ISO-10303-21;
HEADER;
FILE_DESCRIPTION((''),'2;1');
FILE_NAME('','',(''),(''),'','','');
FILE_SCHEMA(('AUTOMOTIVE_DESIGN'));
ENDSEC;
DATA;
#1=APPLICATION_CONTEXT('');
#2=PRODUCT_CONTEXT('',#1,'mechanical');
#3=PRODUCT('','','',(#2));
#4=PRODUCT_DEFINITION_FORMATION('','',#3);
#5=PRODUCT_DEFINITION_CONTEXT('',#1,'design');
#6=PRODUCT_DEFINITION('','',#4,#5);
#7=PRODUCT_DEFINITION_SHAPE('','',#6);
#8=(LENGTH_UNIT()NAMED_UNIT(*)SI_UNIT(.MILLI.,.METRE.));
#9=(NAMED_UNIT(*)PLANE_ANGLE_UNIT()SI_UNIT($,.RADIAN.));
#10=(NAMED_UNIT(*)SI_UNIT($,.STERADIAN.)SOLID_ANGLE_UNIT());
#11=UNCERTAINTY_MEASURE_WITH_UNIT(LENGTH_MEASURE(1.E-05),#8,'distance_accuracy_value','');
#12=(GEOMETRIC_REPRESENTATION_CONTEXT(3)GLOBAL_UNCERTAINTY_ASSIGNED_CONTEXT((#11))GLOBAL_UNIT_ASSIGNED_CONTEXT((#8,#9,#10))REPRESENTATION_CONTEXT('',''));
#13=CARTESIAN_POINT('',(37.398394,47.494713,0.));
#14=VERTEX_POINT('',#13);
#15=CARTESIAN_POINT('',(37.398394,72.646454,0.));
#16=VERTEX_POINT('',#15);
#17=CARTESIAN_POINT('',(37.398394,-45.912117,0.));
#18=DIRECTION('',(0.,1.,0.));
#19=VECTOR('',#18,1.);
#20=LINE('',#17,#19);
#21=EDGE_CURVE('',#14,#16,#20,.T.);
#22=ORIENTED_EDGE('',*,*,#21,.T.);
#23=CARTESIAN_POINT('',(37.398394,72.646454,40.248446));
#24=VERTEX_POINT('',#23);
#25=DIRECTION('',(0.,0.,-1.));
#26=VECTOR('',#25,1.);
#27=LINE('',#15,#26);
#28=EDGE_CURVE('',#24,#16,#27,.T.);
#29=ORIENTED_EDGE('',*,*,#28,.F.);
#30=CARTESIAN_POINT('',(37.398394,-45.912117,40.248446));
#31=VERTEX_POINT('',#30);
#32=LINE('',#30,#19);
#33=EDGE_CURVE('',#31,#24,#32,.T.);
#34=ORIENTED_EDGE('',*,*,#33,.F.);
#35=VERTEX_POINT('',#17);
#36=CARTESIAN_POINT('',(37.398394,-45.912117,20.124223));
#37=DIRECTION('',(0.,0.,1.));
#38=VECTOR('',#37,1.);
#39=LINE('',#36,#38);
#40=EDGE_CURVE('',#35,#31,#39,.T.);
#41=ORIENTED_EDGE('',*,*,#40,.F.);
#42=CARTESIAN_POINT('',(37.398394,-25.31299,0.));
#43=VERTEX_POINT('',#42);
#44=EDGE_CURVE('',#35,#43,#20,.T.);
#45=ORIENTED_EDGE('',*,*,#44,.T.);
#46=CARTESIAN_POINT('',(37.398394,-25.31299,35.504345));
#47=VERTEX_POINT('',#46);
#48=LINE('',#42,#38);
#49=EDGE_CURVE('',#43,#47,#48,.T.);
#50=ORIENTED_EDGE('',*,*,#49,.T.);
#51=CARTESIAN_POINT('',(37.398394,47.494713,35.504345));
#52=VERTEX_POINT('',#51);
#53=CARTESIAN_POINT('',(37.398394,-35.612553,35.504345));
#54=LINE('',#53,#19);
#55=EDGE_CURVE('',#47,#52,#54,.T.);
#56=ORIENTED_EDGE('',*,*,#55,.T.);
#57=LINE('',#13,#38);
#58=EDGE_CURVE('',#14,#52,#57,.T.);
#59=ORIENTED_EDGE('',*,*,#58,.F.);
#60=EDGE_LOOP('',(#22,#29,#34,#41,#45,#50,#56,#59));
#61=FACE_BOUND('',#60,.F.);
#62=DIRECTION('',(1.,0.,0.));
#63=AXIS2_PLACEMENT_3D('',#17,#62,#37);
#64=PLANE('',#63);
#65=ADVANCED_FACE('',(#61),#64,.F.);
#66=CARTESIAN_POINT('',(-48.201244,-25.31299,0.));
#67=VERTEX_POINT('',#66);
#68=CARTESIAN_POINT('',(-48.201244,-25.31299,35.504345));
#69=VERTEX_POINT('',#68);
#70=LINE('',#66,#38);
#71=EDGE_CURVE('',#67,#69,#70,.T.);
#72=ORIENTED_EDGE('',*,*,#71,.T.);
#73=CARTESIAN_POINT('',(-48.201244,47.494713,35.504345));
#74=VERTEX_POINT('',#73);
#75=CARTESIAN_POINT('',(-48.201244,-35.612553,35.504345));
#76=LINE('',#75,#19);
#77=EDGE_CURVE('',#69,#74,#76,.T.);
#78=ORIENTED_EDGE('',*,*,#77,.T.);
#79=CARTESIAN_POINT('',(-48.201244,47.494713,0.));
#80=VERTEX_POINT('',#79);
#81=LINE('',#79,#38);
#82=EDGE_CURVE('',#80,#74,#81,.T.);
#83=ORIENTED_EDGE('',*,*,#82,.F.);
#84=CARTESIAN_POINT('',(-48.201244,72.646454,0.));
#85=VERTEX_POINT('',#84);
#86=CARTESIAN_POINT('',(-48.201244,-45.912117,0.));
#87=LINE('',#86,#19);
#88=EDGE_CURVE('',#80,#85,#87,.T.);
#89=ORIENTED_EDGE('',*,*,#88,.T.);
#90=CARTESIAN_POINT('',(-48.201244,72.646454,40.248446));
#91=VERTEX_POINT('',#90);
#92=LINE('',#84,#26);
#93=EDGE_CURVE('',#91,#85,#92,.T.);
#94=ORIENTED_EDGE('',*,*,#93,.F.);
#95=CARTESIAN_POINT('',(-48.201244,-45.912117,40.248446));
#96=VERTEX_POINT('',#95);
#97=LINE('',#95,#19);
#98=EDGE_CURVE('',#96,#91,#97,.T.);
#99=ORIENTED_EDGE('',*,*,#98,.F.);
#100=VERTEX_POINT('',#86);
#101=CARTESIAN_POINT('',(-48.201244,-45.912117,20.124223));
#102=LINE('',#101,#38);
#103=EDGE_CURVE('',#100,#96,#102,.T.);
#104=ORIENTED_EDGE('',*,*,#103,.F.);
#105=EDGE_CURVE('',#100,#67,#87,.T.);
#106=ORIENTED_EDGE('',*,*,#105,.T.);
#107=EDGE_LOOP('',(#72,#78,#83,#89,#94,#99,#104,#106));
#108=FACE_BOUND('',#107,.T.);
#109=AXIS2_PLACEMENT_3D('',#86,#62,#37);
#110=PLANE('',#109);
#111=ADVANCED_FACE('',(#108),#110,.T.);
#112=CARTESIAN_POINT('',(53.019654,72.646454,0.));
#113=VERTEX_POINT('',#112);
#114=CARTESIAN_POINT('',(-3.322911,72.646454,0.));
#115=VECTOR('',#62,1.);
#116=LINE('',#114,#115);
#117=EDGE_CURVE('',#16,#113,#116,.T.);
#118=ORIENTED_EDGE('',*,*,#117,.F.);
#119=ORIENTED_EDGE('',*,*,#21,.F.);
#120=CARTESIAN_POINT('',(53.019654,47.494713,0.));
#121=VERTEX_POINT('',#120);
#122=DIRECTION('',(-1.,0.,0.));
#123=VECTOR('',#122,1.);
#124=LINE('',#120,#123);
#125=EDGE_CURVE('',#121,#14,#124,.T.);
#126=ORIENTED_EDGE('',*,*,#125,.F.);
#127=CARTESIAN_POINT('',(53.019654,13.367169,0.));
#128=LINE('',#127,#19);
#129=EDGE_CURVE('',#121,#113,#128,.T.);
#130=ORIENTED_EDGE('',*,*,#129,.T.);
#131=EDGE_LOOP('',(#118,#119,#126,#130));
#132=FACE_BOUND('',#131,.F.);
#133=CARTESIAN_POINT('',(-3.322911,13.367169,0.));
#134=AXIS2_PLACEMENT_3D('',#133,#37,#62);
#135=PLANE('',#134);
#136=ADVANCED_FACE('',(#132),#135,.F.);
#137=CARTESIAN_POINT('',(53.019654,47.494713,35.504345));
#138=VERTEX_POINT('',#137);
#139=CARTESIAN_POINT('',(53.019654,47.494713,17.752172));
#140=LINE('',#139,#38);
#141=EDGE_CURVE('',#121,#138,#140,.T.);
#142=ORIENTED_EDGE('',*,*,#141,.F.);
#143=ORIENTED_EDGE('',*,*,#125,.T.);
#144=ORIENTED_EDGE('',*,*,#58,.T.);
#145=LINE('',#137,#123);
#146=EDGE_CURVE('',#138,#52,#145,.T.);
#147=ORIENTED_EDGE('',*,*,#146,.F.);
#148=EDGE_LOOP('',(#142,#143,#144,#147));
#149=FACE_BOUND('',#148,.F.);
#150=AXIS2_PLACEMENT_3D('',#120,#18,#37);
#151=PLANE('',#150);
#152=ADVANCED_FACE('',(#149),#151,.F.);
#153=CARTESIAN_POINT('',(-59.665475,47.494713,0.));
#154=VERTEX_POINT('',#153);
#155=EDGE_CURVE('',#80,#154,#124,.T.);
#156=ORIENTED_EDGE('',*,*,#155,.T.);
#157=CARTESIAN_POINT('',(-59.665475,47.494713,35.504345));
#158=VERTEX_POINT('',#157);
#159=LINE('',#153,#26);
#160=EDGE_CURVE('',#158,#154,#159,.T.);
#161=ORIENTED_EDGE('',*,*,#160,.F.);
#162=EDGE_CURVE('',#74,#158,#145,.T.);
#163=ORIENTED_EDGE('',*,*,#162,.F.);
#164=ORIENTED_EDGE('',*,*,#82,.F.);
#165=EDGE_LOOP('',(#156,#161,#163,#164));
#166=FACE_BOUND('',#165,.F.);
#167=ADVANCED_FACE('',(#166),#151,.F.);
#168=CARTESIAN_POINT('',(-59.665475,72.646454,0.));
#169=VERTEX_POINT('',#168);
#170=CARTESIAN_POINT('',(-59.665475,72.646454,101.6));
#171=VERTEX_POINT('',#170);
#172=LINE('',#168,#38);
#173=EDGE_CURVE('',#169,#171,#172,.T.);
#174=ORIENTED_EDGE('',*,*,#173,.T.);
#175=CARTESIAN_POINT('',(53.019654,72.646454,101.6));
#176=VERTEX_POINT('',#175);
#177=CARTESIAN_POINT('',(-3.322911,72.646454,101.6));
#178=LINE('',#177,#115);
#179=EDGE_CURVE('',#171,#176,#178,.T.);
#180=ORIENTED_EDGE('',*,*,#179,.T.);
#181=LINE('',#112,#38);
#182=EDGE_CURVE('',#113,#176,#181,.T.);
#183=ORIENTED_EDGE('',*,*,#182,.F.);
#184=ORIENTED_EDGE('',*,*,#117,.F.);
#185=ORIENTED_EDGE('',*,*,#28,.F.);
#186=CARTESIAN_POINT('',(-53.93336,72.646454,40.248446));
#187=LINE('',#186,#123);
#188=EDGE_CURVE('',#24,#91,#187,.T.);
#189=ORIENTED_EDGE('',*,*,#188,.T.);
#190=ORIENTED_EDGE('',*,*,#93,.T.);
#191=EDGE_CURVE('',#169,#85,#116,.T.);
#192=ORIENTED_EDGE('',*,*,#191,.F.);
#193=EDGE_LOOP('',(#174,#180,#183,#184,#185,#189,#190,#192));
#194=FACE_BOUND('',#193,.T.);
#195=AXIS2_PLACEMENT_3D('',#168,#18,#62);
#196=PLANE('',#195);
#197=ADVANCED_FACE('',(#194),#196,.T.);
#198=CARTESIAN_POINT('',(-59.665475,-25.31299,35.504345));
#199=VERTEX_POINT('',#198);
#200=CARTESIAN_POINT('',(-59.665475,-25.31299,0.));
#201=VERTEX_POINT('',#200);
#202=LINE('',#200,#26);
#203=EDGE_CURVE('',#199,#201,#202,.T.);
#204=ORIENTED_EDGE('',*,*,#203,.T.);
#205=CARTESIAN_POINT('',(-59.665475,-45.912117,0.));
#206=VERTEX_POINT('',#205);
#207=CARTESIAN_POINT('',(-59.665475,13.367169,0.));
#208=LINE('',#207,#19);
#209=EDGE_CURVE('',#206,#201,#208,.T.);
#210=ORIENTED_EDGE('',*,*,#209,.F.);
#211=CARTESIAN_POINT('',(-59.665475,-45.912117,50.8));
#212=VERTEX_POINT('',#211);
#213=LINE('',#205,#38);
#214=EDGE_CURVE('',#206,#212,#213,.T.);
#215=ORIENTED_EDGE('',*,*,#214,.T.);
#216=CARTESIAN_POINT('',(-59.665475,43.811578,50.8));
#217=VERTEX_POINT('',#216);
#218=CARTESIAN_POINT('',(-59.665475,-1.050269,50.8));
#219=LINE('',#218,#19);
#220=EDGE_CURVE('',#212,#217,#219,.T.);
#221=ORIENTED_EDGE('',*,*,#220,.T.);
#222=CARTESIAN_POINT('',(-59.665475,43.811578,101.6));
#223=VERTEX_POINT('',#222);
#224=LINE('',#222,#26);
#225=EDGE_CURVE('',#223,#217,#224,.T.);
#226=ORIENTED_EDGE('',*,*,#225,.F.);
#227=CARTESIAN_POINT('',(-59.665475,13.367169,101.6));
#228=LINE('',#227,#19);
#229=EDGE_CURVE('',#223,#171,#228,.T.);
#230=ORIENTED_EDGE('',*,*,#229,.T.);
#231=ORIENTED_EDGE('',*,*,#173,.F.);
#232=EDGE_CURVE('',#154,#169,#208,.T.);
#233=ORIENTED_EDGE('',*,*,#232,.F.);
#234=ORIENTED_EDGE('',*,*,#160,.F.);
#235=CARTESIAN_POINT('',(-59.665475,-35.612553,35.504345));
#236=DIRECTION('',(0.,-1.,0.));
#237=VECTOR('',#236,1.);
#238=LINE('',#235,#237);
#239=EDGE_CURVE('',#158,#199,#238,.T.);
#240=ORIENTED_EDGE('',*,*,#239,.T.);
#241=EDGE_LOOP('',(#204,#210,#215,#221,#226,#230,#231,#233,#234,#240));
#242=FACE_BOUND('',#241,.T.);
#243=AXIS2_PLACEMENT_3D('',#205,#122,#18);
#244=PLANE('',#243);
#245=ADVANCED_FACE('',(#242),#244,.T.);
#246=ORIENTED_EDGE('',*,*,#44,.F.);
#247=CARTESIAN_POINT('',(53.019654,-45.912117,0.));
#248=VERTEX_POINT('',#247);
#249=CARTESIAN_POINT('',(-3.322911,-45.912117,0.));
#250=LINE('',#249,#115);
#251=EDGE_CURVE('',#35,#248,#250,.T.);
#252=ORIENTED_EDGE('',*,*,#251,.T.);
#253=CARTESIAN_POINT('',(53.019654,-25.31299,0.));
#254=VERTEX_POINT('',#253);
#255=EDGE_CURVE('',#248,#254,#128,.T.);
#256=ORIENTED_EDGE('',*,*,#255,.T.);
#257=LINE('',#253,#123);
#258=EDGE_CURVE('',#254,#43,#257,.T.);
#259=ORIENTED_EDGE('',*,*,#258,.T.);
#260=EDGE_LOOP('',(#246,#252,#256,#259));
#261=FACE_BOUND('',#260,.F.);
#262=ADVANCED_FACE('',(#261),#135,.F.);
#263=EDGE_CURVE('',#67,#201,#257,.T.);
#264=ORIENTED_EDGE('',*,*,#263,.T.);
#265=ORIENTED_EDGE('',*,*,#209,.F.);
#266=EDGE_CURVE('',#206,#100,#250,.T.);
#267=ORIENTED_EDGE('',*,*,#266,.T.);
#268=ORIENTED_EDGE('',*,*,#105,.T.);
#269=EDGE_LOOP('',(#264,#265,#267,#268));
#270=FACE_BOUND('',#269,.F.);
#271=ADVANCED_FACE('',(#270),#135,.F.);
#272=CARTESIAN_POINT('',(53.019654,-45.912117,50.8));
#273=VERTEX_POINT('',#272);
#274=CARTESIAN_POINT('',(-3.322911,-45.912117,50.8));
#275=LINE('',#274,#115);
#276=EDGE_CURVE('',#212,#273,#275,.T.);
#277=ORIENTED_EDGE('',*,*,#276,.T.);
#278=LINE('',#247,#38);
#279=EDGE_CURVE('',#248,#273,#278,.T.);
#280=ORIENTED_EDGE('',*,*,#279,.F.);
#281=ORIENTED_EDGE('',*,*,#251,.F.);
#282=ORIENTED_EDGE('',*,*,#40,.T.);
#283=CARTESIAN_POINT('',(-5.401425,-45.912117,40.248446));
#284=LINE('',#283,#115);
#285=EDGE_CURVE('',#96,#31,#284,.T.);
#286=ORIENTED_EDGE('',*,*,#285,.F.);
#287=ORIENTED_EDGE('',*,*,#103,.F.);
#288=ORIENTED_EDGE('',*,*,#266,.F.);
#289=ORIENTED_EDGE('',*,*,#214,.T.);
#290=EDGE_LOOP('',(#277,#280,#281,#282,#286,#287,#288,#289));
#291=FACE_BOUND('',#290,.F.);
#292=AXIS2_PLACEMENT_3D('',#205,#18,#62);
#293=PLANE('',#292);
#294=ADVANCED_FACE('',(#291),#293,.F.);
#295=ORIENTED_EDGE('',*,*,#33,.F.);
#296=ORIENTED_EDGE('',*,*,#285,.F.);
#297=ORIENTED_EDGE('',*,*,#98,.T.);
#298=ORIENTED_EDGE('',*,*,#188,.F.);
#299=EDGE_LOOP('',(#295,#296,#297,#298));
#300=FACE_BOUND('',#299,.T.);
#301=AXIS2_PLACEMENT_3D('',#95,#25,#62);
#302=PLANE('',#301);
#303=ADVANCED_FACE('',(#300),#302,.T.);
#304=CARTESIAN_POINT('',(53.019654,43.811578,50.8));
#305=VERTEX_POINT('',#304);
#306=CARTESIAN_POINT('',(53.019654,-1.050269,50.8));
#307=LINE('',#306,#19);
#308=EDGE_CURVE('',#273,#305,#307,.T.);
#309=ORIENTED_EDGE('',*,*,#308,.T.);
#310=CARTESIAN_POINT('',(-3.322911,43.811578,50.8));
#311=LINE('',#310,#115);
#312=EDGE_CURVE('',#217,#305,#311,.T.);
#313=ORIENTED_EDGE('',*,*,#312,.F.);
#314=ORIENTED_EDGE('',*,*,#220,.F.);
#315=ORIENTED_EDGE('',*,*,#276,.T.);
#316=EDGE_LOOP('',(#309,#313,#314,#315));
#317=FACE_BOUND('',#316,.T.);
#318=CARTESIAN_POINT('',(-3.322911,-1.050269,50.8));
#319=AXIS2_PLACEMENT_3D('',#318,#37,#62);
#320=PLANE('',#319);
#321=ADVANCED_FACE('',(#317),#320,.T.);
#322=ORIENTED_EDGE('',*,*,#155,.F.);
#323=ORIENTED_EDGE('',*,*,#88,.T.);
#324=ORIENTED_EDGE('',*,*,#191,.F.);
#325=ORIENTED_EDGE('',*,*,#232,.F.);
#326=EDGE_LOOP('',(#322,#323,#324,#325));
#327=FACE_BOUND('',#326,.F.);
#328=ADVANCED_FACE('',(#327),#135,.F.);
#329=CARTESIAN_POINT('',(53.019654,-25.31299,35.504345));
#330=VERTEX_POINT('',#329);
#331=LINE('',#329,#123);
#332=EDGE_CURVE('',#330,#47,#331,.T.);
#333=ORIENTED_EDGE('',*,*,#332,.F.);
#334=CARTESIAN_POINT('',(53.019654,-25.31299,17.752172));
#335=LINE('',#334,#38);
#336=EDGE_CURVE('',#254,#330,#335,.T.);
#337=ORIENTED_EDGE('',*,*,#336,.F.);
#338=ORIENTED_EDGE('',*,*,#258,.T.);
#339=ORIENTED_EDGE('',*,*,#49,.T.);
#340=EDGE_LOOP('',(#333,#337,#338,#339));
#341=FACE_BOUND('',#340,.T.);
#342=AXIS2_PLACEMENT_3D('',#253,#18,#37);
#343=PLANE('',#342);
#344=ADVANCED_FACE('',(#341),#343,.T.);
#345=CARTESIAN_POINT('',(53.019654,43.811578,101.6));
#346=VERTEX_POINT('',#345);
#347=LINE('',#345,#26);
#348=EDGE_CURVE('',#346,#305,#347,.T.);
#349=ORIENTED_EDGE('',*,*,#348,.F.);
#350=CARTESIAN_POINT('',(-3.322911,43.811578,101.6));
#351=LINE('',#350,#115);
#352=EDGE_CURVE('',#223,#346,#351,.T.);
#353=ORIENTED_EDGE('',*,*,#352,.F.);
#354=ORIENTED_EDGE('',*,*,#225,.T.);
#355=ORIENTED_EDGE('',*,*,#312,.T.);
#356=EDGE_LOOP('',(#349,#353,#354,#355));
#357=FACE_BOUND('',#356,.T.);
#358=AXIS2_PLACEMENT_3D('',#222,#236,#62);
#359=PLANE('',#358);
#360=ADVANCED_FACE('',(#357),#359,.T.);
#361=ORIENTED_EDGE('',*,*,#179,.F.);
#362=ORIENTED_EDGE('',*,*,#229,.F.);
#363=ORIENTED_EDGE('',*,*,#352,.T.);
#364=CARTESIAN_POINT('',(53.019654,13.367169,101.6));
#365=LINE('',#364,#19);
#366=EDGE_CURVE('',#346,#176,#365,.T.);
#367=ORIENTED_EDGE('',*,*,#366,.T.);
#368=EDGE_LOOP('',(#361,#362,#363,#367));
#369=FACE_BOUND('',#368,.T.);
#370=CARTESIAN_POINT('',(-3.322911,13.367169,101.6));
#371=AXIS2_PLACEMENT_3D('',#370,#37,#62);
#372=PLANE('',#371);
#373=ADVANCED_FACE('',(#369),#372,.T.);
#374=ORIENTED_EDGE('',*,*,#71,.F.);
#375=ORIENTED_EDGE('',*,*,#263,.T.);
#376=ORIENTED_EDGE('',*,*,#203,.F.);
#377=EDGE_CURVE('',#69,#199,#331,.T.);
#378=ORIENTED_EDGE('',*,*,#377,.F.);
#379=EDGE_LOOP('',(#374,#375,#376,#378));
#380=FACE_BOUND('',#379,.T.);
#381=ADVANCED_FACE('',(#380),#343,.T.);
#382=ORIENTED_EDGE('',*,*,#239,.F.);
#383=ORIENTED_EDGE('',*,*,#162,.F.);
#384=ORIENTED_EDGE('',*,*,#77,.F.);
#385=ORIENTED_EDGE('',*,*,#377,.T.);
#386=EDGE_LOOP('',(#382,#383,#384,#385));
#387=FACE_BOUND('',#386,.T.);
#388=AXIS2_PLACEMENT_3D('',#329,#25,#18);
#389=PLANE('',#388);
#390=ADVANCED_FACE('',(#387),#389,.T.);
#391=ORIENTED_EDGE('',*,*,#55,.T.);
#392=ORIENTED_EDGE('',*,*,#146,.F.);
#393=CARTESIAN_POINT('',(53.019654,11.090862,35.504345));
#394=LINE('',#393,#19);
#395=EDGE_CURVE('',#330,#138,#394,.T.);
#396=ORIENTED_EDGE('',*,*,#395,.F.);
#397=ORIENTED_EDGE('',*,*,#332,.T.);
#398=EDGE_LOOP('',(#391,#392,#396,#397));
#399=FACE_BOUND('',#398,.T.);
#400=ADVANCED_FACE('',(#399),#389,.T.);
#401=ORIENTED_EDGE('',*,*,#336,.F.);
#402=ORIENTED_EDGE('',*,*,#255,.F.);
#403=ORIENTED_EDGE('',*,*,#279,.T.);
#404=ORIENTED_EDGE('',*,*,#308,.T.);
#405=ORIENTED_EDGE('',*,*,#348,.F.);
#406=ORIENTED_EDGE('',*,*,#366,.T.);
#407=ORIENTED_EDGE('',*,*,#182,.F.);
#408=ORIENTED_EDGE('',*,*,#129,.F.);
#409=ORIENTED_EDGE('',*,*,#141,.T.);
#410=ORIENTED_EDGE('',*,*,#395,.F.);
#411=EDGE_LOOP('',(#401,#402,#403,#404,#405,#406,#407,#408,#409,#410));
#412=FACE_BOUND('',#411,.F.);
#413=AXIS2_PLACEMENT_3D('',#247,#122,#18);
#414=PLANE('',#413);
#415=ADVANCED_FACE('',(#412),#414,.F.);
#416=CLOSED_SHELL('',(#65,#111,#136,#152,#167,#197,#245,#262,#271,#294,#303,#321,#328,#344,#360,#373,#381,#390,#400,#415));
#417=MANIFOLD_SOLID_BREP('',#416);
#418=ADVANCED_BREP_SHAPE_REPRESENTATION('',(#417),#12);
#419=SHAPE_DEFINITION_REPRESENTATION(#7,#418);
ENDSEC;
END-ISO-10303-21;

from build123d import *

# Parameters (mm, degrees)
F0_W     = 112.6851290464
F0_H     = 118.5585707426
F1_DEPTH = 101.6
F2_W     = 112.6851290464
F2_H     = 89.7236950696
F3_DEPTH = 50.8
F4_W     = 85.5996385217
F4_H     = 40.2484461665
F5_DEPTH = 127
F6_W     = 72.8077031672
F6_H     = 35.5043448508
F7_DEPTH = 127


with BuildPart() as f1:
    # F0 (on Top) → F1 (new body)
    with BuildSketch(Plane.XY):
        with Locations((-3.3229105175, 13.3671686053)):
            Rectangle(F0_W, F0_H)
    extrude(amount=F1_DEPTH)

    # F2 (on face) → F3 (cut)
    with BuildSketch(Plane.XY.offset(101.6)):
        with Locations((-3.3229105175, -1.0502692312)):
            Rectangle(F2_W, F2_H)
    extrude(amount=-F3_DEPTH, mode=Mode.SUBTRACT)

    # F4 (on face) → F5 (cut)
    with BuildSketch(Plane.XZ.offset(45.912116766)):
        with Locations((-5.4014250636, 20.1242230833)):
            Rectangle(F4_W, F4_H)
    extrude(amount=-F5_DEPTH, mode=Mode.SUBTRACT)

    # F6 (on face) → F7 (cut)
    with BuildSketch(Plane.YZ.offset(53.0196540058)):
        with Locations((11.0908616334, 17.7521724254)):
            Rectangle(F6_W, F6_H)
    extrude(amount=-F7_DEPTH, mode=Mode.SUBTRACT)


solid = f1.part
